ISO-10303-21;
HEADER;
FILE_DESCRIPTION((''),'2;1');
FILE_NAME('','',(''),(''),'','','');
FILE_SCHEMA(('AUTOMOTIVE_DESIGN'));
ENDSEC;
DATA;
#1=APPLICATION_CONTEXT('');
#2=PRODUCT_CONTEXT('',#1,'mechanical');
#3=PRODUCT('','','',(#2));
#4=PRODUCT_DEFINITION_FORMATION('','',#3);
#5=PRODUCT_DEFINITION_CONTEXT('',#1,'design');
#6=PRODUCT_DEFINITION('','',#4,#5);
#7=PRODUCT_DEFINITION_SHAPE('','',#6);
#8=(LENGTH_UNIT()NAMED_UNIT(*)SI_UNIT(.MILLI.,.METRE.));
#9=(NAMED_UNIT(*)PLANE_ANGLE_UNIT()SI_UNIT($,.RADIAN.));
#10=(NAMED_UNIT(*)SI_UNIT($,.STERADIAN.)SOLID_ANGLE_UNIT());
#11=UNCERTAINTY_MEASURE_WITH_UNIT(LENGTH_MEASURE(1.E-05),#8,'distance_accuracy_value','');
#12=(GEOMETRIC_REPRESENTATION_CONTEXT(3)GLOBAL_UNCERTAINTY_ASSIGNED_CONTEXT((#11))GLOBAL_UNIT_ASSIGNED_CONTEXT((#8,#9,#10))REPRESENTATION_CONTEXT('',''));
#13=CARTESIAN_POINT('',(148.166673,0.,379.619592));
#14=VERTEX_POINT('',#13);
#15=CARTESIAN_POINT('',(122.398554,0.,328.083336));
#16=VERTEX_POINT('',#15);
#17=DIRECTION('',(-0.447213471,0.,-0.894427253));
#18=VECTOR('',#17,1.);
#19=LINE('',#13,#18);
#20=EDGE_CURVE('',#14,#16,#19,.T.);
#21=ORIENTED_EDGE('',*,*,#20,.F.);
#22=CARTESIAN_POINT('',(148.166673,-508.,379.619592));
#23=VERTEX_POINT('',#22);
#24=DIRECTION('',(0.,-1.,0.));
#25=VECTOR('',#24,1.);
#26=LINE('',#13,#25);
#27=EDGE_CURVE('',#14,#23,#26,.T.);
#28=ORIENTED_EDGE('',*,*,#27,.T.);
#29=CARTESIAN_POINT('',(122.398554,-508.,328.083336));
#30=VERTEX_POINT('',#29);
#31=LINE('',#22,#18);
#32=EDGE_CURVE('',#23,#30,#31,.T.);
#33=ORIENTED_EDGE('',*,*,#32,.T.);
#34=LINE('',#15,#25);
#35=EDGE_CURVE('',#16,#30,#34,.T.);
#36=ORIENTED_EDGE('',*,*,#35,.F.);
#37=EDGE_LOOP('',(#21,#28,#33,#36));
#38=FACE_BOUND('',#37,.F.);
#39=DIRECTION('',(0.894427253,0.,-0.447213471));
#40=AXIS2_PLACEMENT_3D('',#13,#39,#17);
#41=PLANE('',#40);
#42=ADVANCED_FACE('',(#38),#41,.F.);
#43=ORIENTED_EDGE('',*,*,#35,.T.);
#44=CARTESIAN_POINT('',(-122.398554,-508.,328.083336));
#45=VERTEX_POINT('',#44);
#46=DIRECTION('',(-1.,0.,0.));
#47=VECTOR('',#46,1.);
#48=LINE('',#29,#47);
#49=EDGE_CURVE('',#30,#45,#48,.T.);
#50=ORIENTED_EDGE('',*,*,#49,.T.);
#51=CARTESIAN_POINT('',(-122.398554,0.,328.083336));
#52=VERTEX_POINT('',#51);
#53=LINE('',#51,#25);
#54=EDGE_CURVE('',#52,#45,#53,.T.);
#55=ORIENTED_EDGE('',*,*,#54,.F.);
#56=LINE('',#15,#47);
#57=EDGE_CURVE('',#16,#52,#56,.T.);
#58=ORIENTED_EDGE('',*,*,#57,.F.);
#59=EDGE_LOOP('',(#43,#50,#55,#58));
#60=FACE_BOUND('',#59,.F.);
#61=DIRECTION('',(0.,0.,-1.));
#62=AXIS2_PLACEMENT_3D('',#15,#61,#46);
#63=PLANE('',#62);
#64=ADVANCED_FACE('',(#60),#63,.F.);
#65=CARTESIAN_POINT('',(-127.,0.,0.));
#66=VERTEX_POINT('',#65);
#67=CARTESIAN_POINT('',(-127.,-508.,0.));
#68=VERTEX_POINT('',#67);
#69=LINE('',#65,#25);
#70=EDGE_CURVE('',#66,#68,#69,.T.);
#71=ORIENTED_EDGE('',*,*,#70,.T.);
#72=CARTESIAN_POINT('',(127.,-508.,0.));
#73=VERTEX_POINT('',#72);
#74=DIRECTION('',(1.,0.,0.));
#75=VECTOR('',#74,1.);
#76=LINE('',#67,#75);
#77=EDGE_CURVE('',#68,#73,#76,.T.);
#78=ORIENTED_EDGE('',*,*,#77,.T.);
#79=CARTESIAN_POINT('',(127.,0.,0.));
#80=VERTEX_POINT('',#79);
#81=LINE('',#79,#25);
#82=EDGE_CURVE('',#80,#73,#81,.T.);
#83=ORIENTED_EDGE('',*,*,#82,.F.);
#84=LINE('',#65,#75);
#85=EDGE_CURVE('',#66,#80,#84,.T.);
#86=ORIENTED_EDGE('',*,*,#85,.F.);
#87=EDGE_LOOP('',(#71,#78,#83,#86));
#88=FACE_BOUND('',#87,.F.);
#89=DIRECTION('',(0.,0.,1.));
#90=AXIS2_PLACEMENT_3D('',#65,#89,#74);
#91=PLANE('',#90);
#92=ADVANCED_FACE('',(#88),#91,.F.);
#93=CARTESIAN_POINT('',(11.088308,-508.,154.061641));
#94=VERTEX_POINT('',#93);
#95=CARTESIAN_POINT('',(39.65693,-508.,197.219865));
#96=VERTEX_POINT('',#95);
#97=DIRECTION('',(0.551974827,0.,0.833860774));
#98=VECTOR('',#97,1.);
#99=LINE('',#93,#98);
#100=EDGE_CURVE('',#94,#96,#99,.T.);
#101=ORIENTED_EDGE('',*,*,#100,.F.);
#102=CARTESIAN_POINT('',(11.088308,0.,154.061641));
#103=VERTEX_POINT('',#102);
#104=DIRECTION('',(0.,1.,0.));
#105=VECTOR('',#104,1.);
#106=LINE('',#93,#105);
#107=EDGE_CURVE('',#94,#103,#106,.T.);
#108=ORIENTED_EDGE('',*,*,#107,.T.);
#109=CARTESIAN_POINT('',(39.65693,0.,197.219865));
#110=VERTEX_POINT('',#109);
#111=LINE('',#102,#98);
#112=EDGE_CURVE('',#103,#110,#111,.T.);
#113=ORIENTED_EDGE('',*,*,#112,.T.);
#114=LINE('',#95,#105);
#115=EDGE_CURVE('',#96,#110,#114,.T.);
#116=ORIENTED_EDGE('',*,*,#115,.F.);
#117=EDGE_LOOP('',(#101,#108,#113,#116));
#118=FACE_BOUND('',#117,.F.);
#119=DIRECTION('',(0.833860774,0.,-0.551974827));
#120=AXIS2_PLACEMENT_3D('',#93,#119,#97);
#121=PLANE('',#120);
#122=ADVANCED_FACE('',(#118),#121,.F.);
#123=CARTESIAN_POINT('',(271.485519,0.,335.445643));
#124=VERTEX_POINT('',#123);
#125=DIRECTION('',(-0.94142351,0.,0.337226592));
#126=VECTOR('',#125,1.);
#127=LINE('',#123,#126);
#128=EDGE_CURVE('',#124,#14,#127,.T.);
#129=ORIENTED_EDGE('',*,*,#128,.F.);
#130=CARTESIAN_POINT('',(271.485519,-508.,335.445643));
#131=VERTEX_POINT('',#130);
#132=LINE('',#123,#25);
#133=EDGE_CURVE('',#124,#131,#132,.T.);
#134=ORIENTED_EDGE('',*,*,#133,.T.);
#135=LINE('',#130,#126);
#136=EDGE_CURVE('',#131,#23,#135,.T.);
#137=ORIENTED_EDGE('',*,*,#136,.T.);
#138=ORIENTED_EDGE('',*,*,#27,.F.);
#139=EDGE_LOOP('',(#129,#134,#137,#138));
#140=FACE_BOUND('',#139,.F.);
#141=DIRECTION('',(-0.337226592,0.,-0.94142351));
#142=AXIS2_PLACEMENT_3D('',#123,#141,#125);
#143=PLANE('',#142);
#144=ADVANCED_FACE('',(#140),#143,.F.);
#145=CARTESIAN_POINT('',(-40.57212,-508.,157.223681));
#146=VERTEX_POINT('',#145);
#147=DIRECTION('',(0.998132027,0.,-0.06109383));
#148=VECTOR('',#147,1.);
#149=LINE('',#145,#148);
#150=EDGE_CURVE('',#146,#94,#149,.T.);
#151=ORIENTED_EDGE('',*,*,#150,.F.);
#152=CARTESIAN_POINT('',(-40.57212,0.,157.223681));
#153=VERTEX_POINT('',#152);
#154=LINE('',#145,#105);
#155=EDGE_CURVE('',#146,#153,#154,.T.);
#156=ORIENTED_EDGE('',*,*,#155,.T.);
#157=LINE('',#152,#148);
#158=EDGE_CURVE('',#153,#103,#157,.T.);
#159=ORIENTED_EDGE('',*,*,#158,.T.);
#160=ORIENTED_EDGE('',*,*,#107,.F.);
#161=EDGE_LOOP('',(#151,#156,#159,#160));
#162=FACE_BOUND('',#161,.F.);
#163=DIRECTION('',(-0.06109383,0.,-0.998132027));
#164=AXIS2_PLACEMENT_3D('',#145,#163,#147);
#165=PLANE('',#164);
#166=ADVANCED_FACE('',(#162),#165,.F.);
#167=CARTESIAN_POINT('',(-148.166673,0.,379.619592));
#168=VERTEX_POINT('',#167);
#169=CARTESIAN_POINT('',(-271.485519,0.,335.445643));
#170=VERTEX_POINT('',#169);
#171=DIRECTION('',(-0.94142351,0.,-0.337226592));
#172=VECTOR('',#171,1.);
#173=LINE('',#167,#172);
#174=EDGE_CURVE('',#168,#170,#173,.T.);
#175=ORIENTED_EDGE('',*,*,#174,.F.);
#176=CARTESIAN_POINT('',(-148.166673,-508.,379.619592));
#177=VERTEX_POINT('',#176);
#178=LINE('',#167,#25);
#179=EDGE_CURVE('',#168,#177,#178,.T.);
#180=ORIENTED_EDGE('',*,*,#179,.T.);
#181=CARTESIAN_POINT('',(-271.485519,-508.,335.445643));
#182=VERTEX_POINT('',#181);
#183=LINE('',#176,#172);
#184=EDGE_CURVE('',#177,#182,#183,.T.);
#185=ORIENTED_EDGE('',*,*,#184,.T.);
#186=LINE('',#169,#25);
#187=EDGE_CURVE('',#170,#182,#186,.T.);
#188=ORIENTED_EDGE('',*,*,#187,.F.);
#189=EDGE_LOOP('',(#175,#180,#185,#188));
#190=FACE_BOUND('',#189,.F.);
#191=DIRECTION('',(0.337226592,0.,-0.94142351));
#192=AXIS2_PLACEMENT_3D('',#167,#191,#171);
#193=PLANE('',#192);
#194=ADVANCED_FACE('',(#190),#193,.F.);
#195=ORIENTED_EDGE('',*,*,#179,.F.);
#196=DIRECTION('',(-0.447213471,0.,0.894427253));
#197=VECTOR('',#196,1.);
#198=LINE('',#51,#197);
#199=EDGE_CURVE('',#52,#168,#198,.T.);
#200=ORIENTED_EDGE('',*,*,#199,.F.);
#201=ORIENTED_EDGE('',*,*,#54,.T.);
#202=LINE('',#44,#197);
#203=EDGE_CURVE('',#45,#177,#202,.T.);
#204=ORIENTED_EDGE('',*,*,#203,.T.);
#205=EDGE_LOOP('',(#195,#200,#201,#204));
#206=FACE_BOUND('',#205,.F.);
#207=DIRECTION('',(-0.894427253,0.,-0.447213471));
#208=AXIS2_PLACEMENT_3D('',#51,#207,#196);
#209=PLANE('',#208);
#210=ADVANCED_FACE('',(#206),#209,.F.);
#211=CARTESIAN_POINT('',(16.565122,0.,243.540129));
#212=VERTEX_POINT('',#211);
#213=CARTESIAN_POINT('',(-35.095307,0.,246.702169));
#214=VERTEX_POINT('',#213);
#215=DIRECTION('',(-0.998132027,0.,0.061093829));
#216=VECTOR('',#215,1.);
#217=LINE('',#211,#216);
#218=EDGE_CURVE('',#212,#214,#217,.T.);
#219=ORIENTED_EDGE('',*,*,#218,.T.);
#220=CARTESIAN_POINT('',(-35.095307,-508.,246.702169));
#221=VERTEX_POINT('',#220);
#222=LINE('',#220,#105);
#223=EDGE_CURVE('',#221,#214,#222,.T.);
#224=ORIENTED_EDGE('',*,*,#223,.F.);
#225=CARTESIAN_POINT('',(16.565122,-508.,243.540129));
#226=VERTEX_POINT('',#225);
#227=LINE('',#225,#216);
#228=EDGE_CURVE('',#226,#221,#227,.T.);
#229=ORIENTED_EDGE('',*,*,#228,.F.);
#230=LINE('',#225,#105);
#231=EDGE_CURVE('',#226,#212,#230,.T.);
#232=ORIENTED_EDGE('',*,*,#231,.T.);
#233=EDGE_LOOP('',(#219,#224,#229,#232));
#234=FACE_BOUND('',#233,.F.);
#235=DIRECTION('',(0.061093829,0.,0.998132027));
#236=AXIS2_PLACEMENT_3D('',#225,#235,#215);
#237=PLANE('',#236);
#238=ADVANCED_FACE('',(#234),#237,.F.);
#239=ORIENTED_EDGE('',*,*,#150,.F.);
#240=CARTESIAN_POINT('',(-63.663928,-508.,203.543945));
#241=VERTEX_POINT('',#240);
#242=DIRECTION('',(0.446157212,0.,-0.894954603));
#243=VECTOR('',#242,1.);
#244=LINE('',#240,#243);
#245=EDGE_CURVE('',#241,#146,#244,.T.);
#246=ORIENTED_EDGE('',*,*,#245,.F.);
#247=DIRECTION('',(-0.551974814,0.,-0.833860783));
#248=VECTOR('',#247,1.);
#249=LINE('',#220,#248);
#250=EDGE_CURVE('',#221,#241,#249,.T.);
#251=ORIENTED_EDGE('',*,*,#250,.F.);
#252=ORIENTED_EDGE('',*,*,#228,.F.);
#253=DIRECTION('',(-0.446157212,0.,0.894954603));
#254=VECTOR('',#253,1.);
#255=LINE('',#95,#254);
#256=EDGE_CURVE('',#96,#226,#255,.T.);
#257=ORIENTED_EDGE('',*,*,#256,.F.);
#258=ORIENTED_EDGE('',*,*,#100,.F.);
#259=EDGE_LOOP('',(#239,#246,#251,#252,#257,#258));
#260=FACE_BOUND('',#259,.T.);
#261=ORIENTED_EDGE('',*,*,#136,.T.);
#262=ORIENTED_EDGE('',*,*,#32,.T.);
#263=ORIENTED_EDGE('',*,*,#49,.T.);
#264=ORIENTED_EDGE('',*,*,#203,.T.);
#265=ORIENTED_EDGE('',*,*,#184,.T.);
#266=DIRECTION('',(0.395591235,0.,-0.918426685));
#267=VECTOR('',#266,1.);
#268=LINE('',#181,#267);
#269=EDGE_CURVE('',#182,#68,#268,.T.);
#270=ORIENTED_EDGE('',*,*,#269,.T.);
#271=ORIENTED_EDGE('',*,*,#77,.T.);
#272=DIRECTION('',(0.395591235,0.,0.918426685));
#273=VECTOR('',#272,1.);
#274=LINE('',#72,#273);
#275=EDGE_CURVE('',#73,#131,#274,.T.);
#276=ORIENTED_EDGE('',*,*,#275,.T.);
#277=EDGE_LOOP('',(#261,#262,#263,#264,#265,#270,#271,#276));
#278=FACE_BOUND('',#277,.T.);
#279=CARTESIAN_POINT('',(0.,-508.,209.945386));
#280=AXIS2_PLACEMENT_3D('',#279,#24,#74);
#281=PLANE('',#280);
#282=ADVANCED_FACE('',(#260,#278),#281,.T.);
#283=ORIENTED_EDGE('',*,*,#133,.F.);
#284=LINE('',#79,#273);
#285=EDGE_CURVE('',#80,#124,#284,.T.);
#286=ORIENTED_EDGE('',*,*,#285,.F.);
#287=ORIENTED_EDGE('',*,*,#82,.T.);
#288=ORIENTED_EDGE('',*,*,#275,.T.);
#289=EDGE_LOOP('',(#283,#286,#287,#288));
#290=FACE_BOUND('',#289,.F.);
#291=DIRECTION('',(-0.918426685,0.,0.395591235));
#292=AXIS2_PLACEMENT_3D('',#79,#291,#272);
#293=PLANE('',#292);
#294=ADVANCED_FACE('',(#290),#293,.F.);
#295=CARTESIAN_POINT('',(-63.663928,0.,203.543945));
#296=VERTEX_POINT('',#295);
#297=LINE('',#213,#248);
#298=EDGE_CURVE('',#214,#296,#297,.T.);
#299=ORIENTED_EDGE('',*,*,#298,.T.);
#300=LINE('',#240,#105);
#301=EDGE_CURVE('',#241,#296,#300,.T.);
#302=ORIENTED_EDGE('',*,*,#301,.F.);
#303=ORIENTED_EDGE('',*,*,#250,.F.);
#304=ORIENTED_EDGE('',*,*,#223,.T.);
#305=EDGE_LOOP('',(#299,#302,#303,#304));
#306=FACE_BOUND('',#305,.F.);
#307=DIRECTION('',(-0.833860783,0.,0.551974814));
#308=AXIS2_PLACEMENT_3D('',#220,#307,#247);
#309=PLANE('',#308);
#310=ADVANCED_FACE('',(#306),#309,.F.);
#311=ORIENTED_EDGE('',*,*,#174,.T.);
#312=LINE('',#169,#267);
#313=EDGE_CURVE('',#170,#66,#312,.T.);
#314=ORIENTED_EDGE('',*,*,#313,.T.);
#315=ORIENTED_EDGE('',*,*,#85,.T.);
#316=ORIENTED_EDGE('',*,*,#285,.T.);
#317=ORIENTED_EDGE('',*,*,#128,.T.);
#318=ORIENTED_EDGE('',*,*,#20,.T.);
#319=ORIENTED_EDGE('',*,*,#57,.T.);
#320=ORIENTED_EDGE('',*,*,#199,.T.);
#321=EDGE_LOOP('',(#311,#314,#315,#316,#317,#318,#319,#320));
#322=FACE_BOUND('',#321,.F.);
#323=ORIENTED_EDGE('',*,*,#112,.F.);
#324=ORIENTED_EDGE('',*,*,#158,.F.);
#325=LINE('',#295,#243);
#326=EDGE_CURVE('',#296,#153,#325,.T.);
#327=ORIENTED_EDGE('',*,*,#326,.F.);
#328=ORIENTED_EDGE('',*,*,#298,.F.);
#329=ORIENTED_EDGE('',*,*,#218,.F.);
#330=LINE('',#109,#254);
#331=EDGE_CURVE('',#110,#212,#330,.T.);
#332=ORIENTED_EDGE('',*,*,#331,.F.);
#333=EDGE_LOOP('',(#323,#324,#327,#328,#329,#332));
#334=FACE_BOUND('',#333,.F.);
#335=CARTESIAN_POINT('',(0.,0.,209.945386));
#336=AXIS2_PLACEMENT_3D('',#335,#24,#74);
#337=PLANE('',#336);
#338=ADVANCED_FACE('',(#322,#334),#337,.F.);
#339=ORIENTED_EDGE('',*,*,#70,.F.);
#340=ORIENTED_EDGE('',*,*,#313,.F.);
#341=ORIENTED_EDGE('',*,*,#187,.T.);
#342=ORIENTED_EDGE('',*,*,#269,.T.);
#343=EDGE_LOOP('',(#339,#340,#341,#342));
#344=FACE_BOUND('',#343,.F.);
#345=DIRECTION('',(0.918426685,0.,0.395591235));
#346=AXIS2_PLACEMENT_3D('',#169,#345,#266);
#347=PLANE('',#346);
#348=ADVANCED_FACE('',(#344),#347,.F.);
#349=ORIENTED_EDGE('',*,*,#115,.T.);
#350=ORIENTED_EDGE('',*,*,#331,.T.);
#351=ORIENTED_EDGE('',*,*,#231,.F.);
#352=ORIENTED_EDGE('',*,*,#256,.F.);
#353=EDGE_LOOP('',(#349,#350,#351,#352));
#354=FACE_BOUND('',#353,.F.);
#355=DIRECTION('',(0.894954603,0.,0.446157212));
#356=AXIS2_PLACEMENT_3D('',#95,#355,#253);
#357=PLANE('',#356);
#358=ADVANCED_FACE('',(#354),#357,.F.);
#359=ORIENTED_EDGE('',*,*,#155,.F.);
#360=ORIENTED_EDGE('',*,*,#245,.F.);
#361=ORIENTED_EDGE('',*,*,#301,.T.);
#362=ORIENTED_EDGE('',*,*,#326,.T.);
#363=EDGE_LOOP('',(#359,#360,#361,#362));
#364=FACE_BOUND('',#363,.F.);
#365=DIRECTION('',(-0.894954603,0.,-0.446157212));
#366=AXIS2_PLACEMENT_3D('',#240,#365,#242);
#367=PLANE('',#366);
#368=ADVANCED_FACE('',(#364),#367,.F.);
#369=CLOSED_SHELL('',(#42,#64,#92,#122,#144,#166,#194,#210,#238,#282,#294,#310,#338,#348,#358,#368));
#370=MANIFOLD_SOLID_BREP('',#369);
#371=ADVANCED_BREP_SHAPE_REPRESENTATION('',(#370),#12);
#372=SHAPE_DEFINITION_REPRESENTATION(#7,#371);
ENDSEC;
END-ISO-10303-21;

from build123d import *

# Parameters (mm, degrees)
F1_DEPTH = 508
F3_DEPTH = 508


with BuildPart() as f1:
    # F0 (on Front) → F1 (new body)
    with BuildSketch(Plane.XZ):
        Polygon((-127, 0), (0, 0), (127, 0), (271.485519, 335.445643), (148.166673, 379.619592), (122.398554, 328.083336), (0, 328.083336), (-122.398554, 328.083336), (-148.166673, 379.619592), (-271.485519, 335.445643), align=None)
    extrude(amount=F1_DEPTH)

    # F2 (on face) → F3 (cut, through all)
    with BuildSketch(Plane.XZ.offset(508)):
        Polygon((39.65693, 197.219865), (16.565122, 243.540129), (-35.095307, 246.702169), (-63.663928, 203.543945), (-40.57212, 157.223681), (11.088308, 154.061641), align=None)
    extrude(amount=-F3_DEPTH, mode=Mode.SUBTRACT)


solid = f1.part
